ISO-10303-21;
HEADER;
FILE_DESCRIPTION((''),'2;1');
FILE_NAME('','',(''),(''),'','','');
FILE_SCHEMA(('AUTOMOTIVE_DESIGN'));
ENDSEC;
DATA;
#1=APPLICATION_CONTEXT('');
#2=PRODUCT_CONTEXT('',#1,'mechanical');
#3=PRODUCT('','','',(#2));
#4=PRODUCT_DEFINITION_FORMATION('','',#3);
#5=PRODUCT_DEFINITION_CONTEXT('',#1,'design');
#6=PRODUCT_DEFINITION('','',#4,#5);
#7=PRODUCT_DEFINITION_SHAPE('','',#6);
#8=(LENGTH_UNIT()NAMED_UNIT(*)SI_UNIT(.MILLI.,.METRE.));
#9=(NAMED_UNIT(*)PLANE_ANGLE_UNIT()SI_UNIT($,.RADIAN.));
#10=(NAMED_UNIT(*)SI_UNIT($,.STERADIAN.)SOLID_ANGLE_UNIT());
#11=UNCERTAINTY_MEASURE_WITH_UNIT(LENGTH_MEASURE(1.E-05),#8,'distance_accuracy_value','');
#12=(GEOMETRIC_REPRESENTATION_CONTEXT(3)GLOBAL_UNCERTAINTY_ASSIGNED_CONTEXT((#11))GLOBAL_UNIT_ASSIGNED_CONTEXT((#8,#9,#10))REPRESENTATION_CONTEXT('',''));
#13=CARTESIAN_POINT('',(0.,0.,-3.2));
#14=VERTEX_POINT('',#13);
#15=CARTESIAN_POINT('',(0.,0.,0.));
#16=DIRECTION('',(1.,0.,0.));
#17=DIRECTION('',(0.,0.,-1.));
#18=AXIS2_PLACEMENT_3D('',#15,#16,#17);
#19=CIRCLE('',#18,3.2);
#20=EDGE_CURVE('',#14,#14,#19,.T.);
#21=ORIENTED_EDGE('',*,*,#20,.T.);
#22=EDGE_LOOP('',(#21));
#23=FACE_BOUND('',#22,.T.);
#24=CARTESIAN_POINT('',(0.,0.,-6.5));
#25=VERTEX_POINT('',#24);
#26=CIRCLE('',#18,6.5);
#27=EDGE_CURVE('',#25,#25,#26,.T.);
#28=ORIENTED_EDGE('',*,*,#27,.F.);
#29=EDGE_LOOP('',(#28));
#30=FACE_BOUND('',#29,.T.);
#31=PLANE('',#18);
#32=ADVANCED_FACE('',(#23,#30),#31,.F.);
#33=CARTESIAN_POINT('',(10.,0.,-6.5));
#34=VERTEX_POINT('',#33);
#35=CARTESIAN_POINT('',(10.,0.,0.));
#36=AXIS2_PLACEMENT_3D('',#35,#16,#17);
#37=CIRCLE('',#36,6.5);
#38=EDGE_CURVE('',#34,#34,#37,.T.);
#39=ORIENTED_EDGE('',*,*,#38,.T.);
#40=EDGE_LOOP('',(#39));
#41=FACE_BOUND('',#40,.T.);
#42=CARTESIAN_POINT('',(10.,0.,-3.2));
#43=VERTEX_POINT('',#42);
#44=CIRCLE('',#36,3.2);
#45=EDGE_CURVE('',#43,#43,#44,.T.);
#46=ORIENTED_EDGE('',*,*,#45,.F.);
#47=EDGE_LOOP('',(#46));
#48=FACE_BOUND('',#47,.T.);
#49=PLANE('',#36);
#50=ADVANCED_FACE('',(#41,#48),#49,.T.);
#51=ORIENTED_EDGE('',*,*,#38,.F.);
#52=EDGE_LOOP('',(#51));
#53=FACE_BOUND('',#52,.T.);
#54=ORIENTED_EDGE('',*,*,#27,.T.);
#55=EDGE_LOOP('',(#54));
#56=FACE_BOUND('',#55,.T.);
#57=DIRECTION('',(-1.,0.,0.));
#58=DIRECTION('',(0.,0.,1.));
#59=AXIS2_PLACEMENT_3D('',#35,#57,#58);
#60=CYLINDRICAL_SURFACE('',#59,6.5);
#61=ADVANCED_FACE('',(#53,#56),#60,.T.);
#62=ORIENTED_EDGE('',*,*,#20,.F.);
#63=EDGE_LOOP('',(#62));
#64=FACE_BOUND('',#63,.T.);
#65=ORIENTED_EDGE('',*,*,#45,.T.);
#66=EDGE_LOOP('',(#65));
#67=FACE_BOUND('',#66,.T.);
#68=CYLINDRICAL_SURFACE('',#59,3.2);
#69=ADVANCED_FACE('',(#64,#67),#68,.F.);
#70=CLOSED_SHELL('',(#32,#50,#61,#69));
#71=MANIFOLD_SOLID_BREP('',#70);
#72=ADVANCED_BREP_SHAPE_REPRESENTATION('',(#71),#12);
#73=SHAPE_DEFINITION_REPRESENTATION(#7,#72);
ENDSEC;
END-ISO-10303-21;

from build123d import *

# Parameters (mm, degrees)
SKETCH1_R           = 6.5
SKETCH1_R_2         = 3.2
BOSS_EXTRUDE1_DEPTH = 10


with BuildPart() as part:
    # Sketch1 → Boss-Extrude1 (new body)
    with BuildSketch(Plane(origin=(0, 0, 0), x_dir=(0, 0, -1), z_dir=(1, 0, 0))):
        Circle(SKETCH1_R)
        Circle(SKETCH1_R_2, mode=Mode.SUBTRACT)
    extrude(amount=BOSS_EXTRUDE1_DEPTH)


solid = part.part
